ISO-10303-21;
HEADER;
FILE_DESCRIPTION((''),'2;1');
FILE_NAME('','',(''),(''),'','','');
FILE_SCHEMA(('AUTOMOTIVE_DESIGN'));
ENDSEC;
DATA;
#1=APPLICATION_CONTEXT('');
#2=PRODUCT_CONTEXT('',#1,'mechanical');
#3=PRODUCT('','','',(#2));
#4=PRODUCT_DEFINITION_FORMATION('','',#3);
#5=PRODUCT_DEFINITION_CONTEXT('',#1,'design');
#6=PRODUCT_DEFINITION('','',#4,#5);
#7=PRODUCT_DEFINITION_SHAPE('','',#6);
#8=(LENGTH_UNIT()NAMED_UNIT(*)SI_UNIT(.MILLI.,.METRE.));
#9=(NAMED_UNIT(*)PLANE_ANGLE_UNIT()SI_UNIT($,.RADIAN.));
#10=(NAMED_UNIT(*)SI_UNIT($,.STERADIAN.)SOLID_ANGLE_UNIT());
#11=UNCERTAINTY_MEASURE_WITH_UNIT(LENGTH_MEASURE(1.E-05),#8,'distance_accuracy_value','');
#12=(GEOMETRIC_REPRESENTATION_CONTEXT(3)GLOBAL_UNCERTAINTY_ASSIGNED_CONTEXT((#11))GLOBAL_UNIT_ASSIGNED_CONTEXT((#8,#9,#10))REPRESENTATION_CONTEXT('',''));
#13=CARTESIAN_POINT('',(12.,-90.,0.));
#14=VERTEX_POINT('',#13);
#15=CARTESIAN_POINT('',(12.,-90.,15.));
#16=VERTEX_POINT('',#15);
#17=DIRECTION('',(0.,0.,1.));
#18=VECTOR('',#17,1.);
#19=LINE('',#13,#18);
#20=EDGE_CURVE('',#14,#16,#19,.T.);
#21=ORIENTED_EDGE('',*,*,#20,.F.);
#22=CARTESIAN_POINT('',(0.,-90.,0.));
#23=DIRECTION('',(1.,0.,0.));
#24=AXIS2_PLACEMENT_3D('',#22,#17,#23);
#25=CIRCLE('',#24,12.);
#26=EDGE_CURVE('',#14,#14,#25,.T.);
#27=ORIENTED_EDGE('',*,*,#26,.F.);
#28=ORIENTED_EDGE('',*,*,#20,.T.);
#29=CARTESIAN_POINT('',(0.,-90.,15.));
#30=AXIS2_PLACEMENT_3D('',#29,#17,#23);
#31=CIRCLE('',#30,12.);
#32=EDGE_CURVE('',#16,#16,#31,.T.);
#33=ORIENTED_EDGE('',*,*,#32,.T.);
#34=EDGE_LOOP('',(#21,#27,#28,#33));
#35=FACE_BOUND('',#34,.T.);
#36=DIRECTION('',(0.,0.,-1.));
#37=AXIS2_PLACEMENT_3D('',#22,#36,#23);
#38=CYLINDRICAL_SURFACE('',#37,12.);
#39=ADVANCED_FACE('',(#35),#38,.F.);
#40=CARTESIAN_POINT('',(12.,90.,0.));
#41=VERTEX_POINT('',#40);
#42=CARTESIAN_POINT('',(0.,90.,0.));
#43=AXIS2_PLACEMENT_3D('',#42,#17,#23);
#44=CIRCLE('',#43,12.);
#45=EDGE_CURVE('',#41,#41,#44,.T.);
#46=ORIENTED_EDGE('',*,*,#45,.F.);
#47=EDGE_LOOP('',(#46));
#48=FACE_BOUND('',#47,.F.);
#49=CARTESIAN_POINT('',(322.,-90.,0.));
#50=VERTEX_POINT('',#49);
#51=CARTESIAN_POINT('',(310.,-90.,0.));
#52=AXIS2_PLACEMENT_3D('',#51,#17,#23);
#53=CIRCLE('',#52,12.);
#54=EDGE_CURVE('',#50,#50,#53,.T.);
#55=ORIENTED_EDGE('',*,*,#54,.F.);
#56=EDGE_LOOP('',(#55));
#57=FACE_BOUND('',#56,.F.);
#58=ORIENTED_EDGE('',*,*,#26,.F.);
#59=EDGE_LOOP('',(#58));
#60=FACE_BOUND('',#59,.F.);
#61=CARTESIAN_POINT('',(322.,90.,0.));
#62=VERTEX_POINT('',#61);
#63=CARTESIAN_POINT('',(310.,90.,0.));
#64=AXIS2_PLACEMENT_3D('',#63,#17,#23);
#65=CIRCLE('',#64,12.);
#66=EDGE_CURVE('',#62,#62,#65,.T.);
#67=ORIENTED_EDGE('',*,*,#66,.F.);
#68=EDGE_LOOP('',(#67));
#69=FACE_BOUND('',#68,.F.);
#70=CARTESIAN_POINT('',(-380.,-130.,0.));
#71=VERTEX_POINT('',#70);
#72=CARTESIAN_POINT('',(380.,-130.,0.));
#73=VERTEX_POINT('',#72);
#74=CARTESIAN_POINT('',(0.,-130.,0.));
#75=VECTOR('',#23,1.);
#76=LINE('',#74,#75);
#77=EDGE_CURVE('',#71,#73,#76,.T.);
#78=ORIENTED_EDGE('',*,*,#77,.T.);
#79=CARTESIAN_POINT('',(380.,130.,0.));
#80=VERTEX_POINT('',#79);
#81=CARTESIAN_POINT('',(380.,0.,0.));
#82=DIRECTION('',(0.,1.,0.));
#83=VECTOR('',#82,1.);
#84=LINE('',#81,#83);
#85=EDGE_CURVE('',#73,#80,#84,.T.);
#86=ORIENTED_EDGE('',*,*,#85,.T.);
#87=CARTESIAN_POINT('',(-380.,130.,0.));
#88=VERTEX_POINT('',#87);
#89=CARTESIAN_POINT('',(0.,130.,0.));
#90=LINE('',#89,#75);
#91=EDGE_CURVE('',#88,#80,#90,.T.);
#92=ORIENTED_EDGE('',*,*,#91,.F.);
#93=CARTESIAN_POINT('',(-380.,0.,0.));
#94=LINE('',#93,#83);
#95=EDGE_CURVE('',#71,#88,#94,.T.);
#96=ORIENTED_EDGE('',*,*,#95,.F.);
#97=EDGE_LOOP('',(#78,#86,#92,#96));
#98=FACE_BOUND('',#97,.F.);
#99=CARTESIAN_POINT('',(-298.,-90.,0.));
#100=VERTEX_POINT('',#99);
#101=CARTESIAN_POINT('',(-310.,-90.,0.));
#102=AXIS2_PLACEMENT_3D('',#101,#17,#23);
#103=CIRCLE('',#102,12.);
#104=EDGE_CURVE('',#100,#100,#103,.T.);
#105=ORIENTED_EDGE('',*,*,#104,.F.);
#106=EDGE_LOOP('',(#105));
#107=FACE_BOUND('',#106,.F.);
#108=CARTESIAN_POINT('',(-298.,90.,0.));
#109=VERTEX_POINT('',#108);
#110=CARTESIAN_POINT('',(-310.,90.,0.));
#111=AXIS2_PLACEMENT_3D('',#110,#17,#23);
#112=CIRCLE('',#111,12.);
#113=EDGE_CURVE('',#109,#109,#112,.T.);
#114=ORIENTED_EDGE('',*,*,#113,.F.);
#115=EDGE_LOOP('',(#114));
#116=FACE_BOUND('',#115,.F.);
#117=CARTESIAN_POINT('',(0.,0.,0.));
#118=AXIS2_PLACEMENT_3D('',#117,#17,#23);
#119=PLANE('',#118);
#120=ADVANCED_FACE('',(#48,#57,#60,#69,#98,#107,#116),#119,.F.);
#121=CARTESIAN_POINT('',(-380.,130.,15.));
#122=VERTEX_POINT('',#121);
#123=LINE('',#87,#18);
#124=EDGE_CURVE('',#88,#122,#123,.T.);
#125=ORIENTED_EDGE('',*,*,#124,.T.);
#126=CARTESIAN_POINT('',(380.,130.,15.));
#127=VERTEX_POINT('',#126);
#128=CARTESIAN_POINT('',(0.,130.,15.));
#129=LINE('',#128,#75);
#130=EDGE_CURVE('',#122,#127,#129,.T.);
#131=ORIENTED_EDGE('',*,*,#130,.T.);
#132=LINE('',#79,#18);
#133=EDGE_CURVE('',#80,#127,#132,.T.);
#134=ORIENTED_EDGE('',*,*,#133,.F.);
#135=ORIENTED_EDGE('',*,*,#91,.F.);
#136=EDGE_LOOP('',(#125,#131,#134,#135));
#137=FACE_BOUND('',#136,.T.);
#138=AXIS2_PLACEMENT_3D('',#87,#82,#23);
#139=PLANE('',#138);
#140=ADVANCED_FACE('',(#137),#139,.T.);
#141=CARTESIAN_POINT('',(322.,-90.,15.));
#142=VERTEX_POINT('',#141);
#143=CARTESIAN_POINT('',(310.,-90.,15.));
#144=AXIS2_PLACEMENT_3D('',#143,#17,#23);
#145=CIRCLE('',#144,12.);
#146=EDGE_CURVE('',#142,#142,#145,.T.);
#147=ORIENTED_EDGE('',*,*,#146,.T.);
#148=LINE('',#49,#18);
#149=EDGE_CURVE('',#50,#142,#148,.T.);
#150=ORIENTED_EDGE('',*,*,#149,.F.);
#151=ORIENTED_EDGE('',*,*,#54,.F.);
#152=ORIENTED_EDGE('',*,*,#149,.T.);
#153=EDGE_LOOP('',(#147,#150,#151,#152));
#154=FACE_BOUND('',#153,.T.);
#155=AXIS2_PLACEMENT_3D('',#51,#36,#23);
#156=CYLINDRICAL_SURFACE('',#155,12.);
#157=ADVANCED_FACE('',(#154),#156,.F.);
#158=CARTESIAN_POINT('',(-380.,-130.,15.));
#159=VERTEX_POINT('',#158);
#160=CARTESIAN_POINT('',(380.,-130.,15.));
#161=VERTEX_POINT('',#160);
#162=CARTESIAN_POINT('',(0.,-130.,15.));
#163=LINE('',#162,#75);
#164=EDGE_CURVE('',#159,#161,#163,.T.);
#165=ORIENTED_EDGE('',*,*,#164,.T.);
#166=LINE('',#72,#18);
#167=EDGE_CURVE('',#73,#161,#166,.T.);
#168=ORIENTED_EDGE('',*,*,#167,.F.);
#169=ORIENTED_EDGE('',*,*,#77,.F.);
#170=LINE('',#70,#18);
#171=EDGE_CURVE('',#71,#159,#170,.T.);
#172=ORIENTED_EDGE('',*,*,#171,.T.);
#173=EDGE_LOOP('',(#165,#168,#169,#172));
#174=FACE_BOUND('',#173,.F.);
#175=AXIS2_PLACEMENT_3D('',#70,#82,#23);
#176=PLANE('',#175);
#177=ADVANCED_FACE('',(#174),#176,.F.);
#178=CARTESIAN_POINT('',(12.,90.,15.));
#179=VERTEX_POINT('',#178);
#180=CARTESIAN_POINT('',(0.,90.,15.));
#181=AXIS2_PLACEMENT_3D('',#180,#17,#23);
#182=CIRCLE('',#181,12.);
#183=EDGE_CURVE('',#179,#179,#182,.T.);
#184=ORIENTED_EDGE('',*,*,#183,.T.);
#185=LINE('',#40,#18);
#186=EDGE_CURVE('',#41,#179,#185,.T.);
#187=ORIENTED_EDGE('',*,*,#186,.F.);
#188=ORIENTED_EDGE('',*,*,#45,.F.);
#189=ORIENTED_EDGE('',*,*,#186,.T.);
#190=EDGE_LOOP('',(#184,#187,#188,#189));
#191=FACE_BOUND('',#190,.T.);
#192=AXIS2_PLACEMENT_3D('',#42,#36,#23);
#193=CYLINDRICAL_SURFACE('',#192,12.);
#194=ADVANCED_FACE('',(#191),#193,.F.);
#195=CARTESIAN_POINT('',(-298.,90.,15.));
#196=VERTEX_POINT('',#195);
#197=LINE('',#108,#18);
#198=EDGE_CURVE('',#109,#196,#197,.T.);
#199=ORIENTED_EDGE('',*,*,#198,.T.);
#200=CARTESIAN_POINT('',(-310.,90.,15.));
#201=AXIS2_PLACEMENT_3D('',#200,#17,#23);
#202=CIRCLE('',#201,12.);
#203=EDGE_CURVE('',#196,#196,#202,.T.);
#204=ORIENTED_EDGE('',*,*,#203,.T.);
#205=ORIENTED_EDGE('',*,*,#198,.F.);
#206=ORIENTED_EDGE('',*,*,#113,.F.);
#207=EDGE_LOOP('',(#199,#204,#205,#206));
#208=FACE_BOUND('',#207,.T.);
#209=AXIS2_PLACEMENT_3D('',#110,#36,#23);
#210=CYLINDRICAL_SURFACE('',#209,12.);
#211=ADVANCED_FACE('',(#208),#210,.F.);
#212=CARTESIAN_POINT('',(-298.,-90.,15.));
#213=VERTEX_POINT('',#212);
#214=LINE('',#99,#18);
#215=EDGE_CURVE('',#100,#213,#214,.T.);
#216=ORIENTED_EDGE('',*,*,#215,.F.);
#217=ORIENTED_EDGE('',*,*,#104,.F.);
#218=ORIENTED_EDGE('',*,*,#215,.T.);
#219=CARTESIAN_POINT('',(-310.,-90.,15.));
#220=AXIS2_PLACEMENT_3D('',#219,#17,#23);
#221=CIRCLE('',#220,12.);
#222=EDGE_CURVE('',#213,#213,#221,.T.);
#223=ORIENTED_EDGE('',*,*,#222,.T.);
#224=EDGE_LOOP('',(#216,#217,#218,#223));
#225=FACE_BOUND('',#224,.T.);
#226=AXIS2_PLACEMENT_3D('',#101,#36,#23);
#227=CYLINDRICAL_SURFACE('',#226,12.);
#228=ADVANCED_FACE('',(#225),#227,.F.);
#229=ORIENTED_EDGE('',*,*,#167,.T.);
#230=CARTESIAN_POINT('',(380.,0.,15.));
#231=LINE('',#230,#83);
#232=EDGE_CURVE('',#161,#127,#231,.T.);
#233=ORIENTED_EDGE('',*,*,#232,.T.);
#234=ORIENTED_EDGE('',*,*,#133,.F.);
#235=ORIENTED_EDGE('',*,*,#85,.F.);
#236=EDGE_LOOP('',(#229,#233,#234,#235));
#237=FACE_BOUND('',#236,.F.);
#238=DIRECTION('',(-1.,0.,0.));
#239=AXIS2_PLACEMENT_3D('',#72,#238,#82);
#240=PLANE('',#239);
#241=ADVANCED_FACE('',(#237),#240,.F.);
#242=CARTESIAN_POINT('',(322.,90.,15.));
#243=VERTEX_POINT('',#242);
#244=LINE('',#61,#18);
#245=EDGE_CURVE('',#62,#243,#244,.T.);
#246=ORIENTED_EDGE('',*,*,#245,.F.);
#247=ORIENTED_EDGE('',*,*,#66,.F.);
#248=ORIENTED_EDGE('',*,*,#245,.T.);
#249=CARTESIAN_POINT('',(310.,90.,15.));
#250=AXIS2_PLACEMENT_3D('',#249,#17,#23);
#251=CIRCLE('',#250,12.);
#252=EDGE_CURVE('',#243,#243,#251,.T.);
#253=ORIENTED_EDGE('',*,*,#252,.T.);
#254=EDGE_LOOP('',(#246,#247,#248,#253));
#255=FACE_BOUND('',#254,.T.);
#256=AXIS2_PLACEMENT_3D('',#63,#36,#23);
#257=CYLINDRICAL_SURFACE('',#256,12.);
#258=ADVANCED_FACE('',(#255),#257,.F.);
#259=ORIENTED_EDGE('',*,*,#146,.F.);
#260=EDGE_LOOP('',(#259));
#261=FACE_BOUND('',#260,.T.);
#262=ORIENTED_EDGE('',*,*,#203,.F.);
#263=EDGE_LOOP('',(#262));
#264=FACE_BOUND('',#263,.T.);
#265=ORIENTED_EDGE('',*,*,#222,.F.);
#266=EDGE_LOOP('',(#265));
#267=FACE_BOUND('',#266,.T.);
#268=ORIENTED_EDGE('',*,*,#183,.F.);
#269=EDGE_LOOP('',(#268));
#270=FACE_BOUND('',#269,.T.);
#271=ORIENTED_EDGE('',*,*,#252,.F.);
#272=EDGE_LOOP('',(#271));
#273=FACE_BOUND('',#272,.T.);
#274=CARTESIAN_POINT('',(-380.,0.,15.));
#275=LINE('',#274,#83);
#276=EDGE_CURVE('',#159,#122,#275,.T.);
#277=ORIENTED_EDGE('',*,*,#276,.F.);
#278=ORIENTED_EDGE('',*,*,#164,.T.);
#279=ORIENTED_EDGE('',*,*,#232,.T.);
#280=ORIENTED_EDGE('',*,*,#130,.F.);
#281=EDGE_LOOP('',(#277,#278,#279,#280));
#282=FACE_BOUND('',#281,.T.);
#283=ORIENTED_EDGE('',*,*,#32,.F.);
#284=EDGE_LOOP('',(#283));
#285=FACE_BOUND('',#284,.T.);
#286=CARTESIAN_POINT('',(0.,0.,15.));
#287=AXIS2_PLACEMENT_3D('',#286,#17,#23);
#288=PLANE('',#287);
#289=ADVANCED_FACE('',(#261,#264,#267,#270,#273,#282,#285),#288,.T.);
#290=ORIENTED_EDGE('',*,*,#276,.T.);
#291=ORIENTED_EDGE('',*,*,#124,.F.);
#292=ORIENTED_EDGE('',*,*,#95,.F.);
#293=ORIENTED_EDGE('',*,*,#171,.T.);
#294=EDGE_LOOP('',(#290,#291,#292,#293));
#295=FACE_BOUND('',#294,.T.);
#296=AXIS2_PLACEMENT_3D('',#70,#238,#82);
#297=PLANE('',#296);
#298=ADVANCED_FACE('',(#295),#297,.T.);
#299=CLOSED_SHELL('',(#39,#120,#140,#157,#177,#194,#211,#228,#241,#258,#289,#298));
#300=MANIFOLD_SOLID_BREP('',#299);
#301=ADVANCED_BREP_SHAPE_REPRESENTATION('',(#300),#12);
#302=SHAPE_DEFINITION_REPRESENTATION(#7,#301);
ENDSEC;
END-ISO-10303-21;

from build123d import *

# Parameters (mm, degrees)
F0_W     = 760
F0_H     = 260
F0_R     = 12
F1_DEPTH = 15


with BuildPart() as f1:
    # F0 (on Top) → F1 (new body)
    with BuildSketch(Plane.XY):
        Rectangle(F0_W, F0_H)
        with Locations((-310, -90)):
            Circle(F0_R, mode=Mode.SUBTRACT)
        with Locations((0, -90)):
            Circle(F0_R, mode=Mode.SUBTRACT)
        with Locations((310, -90)):
            Circle(F0_R, mode=Mode.SUBTRACT)
        with Locations((-310, 90)):
            Circle(F0_R, mode=Mode.SUBTRACT)
        with Locations((0, 90)):
            Circle(F0_R, mode=Mode.SUBTRACT)
        with Locations((310, 90)):
            Circle(F0_R, mode=Mode.SUBTRACT)
    extrude(amount=F1_DEPTH)


solid = f1.part
